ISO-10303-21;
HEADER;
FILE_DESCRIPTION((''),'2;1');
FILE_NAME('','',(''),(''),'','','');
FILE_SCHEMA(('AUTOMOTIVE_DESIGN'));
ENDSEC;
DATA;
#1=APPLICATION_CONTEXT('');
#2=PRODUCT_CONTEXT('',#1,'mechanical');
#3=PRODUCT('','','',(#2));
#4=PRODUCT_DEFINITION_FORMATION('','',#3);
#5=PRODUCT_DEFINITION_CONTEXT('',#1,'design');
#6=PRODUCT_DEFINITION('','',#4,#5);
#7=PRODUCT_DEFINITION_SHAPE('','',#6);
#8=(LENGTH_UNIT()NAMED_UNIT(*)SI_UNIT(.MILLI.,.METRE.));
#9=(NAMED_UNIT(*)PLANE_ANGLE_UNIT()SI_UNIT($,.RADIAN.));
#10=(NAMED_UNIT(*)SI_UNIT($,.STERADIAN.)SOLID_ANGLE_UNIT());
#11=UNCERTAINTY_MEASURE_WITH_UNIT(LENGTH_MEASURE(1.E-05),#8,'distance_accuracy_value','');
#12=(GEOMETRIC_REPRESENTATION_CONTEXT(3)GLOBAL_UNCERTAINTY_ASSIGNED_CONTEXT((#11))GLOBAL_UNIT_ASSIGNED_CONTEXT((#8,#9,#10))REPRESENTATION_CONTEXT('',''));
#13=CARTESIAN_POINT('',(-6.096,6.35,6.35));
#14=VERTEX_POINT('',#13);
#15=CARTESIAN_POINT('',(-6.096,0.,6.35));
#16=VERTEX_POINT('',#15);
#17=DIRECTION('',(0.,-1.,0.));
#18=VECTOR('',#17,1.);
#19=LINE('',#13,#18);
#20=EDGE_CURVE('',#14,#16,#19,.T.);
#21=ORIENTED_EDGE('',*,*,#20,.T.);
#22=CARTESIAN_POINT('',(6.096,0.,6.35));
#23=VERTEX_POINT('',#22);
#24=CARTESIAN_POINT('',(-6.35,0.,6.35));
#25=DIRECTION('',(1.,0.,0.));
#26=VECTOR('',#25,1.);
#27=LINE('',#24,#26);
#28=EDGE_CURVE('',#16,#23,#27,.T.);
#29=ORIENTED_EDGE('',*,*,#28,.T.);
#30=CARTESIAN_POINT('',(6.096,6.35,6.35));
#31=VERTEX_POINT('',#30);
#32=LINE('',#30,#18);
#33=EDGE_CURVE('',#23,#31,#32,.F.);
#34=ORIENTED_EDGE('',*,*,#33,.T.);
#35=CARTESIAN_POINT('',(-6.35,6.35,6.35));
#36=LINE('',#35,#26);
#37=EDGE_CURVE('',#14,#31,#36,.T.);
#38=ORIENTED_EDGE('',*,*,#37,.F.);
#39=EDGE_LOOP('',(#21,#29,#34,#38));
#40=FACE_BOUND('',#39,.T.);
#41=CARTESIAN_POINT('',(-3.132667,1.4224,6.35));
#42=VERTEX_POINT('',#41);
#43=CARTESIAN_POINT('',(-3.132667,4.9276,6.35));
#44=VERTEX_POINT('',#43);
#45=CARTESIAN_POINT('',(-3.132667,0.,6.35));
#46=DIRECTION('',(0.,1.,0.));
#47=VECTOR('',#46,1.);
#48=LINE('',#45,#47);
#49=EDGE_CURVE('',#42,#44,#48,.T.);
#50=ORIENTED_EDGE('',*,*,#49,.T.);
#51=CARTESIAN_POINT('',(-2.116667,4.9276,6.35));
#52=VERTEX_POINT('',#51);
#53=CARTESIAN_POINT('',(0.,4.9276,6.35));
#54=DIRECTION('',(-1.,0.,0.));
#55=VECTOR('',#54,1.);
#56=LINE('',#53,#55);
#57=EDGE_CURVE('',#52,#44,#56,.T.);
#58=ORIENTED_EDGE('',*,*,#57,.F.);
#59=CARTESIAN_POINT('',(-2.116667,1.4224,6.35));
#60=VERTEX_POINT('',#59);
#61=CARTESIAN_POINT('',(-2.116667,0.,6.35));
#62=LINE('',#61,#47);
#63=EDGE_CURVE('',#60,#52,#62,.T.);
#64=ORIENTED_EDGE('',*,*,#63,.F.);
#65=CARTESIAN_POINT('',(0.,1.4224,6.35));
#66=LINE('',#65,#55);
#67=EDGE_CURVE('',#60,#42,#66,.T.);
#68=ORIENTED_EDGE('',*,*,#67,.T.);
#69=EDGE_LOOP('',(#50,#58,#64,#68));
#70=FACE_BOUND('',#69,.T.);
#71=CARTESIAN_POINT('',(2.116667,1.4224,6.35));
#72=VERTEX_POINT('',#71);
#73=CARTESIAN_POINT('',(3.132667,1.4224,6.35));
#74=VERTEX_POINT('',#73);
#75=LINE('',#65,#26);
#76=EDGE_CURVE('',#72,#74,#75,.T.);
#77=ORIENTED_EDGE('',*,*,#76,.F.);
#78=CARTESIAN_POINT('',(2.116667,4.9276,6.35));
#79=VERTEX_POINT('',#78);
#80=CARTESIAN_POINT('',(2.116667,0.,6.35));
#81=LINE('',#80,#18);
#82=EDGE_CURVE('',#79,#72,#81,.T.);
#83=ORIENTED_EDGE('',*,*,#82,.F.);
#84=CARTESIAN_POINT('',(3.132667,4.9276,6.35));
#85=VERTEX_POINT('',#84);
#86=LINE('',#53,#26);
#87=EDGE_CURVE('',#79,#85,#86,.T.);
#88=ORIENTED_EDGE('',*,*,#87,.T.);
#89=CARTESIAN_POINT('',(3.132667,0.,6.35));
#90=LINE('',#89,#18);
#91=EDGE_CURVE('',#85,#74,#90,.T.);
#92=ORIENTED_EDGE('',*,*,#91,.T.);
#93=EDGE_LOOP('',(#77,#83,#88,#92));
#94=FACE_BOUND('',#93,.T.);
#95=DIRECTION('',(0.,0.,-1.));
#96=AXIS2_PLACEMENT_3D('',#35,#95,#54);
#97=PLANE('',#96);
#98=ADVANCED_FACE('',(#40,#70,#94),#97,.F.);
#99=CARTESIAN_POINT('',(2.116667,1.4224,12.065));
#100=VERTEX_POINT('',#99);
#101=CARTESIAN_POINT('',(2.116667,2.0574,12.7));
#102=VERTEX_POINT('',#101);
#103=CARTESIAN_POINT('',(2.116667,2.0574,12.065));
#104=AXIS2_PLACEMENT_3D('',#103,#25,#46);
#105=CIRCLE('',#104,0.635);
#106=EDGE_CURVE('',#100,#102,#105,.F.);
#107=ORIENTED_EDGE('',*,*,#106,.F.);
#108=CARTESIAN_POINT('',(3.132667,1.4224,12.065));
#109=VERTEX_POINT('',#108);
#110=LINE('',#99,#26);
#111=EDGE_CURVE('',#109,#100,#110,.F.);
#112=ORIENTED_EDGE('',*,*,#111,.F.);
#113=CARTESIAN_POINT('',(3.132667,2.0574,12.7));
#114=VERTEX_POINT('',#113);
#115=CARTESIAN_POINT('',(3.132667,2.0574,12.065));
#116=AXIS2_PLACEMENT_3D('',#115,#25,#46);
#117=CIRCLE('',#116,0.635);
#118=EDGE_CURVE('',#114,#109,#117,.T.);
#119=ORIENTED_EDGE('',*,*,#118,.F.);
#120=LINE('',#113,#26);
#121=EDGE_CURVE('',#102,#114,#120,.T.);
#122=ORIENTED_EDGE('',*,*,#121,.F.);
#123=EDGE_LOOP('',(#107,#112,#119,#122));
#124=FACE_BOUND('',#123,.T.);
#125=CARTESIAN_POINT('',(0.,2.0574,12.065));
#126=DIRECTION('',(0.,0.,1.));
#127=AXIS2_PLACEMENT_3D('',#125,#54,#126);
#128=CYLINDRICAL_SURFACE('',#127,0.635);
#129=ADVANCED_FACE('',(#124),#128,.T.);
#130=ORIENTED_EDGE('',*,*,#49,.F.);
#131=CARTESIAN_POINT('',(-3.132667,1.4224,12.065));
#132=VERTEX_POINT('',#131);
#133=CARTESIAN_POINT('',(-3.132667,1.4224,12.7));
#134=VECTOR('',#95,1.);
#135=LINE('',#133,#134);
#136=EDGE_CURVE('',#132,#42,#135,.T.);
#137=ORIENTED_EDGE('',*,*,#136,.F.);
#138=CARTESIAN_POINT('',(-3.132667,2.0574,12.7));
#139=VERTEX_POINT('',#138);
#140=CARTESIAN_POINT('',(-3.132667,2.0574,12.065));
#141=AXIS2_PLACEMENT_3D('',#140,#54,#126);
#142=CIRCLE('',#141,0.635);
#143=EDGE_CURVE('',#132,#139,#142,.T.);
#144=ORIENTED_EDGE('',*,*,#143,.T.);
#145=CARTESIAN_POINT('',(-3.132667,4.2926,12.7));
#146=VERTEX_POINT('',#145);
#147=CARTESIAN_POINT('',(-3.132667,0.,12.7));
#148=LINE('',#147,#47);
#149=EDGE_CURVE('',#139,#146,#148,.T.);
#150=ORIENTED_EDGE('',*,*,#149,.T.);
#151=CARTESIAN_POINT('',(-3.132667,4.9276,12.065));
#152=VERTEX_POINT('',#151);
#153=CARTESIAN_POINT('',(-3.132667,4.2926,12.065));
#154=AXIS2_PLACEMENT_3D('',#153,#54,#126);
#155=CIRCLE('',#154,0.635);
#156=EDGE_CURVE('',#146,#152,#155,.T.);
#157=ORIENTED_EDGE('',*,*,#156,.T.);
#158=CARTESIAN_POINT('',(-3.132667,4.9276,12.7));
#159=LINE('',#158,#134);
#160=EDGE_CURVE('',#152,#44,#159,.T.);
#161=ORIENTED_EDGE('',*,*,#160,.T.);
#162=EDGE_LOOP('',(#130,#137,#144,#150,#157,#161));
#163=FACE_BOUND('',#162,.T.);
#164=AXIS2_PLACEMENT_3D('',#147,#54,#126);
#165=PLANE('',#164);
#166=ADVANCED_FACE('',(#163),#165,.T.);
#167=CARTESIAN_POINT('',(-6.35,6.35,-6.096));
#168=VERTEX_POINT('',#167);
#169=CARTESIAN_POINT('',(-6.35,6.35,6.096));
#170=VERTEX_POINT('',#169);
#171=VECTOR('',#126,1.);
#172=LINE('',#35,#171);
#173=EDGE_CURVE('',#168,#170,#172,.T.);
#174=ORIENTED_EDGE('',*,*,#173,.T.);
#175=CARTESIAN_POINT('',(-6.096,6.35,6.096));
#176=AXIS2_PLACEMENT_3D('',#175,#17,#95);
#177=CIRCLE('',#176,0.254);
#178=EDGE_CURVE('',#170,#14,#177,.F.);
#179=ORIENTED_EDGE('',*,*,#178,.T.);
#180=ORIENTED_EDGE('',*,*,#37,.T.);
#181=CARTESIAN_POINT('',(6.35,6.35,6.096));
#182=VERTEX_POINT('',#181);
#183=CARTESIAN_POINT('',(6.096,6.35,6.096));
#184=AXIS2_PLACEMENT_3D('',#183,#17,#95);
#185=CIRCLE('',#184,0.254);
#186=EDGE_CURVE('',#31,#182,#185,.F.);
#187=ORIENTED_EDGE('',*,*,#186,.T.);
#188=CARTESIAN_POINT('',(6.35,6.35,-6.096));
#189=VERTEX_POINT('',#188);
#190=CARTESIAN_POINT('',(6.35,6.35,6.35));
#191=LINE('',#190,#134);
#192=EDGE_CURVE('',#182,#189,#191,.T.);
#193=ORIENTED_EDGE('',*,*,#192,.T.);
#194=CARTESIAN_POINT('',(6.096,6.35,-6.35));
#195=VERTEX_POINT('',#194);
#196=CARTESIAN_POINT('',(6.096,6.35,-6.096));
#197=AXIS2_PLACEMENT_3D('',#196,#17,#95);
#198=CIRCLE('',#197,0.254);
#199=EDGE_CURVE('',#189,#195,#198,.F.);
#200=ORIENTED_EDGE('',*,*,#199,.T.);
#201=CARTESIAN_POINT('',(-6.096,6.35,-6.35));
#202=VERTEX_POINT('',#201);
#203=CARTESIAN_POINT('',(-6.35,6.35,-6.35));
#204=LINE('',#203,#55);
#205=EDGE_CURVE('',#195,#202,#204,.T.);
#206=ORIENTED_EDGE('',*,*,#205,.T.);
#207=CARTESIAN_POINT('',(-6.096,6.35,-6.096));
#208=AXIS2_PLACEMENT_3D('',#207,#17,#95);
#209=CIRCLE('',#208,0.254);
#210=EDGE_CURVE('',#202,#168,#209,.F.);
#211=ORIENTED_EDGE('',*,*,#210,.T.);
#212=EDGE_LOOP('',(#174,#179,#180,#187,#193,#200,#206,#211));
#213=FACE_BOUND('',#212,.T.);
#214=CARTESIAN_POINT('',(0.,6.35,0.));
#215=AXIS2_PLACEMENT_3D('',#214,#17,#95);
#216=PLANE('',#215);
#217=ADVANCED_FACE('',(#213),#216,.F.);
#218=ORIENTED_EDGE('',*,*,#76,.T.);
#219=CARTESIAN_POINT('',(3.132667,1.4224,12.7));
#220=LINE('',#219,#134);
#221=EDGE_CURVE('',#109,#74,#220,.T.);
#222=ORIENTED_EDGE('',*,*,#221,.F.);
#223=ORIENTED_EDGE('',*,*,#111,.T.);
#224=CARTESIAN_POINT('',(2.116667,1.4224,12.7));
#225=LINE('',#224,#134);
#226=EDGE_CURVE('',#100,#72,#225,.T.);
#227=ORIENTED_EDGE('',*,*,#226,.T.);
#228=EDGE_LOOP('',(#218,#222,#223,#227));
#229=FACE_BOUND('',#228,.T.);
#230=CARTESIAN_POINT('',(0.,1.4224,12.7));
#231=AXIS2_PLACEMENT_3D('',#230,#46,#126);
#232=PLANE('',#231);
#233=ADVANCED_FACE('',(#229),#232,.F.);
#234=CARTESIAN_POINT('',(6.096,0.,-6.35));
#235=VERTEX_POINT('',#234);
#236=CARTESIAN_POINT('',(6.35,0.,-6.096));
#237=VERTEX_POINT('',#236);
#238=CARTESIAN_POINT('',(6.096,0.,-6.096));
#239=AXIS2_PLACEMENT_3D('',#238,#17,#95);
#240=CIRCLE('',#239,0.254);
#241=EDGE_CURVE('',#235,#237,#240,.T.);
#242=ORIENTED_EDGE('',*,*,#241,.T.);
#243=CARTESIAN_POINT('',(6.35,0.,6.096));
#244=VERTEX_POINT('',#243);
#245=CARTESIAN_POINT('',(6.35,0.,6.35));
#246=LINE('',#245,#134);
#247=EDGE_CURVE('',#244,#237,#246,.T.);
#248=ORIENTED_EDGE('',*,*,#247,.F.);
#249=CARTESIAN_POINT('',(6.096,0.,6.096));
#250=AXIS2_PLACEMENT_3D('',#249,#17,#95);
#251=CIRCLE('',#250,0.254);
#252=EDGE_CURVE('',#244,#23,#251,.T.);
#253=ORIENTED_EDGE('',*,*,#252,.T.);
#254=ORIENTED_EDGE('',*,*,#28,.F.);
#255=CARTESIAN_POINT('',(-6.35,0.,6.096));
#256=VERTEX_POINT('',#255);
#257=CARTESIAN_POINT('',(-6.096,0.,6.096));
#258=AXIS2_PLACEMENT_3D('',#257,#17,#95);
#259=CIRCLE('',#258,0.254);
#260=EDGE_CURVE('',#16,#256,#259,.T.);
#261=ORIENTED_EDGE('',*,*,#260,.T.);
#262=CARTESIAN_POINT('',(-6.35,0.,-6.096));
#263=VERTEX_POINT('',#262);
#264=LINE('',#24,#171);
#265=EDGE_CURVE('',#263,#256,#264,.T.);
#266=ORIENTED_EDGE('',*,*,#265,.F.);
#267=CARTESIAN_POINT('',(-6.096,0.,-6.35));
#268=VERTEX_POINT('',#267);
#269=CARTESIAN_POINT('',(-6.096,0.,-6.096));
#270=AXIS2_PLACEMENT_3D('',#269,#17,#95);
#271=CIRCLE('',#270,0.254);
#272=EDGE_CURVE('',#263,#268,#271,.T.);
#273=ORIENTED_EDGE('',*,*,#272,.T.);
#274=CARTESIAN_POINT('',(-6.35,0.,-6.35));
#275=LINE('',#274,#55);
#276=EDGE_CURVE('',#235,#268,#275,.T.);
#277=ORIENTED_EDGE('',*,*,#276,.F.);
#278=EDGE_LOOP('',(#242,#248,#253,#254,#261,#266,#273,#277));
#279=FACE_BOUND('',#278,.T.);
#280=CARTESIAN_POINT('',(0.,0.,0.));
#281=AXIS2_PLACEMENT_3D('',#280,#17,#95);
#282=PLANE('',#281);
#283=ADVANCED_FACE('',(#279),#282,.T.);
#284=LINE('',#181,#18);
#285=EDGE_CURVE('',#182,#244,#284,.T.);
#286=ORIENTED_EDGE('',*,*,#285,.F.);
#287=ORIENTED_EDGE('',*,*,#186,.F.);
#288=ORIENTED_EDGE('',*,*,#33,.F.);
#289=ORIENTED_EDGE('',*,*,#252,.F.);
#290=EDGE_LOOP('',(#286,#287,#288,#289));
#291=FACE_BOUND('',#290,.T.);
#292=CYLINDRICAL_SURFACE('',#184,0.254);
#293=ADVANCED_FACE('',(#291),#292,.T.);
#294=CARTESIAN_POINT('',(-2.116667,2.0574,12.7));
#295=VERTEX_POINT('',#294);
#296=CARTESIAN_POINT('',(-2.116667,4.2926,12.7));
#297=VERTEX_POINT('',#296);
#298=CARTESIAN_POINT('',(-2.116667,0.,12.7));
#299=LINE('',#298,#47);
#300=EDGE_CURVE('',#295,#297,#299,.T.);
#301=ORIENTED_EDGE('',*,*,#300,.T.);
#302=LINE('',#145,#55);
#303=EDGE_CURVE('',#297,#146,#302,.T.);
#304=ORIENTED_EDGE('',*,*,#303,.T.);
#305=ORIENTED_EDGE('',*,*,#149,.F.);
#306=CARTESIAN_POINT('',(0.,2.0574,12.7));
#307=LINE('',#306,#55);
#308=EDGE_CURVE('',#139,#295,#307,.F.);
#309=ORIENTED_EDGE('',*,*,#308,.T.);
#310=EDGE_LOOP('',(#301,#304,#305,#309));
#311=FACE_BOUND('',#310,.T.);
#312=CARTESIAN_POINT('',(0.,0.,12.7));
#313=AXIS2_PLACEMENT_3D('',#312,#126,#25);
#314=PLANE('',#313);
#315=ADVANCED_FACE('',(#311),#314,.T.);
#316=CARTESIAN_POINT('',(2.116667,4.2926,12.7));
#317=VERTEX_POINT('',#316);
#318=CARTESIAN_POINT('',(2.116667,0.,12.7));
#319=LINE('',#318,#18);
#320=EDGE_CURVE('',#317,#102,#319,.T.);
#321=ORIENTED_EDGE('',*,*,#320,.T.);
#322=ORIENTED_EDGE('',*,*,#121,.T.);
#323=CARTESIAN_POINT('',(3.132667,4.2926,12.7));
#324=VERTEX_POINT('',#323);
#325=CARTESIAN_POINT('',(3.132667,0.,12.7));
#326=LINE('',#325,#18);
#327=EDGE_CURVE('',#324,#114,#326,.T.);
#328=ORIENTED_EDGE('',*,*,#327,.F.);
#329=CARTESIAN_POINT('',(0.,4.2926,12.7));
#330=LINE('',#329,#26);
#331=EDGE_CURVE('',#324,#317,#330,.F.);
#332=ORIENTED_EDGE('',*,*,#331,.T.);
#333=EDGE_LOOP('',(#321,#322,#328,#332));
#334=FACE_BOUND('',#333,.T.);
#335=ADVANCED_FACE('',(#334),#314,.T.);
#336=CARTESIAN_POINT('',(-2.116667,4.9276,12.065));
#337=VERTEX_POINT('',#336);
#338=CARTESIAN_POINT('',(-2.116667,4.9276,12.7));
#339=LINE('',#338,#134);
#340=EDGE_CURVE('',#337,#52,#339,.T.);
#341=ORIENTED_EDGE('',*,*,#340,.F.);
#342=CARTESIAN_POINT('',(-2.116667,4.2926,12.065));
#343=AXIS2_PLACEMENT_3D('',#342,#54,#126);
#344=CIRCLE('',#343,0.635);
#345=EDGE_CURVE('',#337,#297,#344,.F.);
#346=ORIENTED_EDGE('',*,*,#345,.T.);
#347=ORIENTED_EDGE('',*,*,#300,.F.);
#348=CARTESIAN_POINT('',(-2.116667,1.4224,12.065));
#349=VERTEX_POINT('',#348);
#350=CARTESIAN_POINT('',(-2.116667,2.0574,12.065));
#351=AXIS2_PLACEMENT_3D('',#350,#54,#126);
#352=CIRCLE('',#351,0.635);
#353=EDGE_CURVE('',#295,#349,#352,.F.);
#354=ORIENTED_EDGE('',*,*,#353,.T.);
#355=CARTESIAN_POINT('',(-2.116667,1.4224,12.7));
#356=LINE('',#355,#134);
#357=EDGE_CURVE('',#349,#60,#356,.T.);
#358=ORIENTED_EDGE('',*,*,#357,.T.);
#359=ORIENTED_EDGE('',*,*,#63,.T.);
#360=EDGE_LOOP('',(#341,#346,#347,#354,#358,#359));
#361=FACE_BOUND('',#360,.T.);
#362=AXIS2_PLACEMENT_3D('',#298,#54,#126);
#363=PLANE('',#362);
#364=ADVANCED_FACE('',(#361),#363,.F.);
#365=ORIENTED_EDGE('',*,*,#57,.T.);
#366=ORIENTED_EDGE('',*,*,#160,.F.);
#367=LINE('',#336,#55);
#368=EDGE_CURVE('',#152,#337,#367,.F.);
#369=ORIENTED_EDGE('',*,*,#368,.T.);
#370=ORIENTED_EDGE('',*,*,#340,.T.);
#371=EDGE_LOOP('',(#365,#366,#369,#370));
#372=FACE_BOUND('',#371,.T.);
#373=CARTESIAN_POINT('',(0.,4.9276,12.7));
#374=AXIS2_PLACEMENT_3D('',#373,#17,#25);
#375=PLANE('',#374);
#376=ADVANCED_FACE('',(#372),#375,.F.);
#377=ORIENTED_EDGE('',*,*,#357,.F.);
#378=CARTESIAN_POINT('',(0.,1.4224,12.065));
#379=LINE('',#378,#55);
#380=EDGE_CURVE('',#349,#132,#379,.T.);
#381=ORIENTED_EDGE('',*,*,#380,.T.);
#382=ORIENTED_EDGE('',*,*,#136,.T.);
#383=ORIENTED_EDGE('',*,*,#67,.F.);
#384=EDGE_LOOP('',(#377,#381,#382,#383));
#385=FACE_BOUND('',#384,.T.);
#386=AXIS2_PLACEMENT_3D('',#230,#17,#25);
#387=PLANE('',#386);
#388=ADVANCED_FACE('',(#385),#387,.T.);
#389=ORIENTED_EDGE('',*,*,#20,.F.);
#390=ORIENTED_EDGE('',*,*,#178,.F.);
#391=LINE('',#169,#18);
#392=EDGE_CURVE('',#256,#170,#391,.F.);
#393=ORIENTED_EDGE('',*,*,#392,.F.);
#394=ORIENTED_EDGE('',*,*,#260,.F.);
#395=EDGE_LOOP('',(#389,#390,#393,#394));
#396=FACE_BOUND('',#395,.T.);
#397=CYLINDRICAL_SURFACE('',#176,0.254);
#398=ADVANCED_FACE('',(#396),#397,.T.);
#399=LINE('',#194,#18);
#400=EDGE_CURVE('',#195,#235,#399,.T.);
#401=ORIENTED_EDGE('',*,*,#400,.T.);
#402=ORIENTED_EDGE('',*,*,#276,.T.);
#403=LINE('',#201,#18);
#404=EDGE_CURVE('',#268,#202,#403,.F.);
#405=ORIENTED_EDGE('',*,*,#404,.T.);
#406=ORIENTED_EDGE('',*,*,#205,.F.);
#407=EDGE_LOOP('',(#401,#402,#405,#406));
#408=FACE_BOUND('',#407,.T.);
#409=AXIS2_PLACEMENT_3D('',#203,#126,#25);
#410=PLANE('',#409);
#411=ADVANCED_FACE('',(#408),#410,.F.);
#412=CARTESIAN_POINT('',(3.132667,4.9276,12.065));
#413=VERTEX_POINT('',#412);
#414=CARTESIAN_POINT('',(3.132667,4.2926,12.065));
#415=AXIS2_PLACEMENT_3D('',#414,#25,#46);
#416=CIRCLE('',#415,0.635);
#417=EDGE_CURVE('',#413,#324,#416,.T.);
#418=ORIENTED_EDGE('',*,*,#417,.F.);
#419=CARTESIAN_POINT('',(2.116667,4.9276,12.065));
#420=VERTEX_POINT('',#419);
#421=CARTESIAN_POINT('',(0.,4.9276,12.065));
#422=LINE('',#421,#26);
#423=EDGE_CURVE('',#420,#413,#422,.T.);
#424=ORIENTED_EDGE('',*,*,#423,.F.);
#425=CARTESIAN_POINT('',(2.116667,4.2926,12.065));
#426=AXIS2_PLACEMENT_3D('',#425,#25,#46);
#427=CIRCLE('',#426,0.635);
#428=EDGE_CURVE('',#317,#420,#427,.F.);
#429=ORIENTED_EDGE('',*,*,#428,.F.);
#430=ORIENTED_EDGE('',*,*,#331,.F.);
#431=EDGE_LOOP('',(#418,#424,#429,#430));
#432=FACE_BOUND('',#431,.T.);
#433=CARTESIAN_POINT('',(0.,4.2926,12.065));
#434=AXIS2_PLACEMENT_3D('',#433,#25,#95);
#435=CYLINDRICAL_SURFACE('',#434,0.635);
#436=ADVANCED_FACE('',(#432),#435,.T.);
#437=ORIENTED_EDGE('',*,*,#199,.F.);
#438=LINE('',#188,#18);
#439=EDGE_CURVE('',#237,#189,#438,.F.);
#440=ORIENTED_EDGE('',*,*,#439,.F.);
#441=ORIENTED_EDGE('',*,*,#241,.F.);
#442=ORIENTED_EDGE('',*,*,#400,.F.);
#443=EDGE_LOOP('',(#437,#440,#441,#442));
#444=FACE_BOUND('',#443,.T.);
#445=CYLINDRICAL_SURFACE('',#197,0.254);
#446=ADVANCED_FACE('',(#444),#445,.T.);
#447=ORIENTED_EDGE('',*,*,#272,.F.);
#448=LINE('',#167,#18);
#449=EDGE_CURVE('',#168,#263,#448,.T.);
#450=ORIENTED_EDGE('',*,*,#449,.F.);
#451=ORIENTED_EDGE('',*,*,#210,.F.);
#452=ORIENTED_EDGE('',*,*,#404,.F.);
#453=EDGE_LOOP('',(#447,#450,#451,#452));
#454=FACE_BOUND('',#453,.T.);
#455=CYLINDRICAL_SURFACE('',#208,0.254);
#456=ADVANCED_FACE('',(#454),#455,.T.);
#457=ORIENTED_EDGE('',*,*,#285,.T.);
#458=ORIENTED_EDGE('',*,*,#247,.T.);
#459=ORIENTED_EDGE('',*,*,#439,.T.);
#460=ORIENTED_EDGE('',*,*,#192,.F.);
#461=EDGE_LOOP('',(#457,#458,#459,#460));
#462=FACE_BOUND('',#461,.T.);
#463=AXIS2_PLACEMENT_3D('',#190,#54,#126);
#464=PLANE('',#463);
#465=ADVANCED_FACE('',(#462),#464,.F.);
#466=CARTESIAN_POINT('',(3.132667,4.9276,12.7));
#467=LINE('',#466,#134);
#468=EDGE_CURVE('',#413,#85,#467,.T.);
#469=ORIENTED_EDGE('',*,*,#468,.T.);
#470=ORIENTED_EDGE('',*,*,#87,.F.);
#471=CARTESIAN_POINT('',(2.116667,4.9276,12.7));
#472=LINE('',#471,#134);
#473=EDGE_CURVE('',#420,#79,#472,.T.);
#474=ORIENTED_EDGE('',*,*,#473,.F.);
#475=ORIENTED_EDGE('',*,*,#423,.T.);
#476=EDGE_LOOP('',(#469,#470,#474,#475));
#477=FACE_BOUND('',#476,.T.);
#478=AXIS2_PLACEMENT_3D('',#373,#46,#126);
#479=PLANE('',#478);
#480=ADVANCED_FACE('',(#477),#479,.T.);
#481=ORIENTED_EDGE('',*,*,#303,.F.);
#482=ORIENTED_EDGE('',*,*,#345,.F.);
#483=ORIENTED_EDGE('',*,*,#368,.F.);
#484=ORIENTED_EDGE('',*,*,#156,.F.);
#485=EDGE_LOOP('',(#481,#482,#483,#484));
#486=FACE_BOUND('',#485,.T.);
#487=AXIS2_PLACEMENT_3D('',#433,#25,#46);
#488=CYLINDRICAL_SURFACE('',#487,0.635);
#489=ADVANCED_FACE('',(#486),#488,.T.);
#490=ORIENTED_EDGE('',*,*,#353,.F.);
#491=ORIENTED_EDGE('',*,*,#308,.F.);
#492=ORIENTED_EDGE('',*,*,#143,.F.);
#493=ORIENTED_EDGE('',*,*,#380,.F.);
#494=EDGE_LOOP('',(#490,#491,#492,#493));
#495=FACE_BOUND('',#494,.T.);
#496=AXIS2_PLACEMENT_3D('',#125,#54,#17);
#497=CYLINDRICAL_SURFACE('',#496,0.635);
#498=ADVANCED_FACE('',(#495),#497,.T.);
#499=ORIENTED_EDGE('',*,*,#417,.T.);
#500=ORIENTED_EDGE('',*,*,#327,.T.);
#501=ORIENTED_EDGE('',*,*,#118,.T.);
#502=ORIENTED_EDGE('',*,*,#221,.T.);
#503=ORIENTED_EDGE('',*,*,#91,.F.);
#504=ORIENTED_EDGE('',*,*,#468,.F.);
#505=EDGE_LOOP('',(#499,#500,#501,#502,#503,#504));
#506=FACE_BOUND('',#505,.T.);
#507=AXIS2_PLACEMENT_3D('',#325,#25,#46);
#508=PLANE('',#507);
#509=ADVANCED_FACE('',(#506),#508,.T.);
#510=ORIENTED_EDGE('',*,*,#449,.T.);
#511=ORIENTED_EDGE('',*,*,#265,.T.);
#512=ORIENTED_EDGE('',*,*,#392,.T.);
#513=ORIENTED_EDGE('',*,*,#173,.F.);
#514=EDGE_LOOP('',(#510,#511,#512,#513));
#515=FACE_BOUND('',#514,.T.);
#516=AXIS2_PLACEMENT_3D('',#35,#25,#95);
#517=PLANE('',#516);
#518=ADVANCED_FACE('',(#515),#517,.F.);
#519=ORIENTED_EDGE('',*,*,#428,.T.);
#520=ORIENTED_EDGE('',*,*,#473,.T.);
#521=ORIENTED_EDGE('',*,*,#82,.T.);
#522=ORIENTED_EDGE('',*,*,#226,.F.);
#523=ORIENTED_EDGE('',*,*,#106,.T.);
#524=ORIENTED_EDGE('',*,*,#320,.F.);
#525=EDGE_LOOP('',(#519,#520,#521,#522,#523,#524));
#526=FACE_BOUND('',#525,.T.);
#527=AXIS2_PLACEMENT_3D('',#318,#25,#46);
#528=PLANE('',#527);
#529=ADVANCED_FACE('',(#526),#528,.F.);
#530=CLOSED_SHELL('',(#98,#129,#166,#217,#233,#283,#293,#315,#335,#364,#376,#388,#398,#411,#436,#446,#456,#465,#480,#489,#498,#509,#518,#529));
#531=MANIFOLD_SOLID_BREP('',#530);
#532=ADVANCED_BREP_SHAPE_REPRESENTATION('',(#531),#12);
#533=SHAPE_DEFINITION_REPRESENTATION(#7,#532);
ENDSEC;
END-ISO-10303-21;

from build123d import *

# Parameters (mm, degrees)
SKETCH1_W           = 12.7
SKETCH1_H           = 12.7
BOSS_EXTRUDE1_DEPTH = 6.35
SKETCH2_W           = 1.016
SKETCH2_H           = 3.5052
BOSS_EXTRUDE2_DEPTH = 6.35
FILLET1_R           = 0.635
FILLET2_R           = 0.254


with BuildPart() as part:
    # Sketch1 → Boss-Extrude1 (new body)
    with BuildSketch(Plane(origin=(0, 0, 0), x_dir=(1, 0, 0), z_dir=(0, 1, 0))):
        Rectangle(SKETCH1_W, SKETCH1_H)
    extrude(amount=BOSS_EXTRUDE1_DEPTH)

    # Sketch2 → Boss-Extrude2 (add)
    with BuildSketch(Plane.XY.offset(6.35)):
        with Locations((-2.624666667, 3.175)):
            Rectangle(SKETCH2_W, SKETCH2_H)
        with Locations((2.624666667, 3.175)):
            Rectangle(SKETCH2_W, SKETCH2_H)
    extrude(amount=BOSS_EXTRUDE2_DEPTH)

    # Fillet1
    fillet1_edges = [part.edges().sort_by_distance(p)[0] for p in [
        (-2.624666667, 1.4224, 12.7),
        (-2.624666667, 4.9276, 12.7),
        (2.624666667, 4.9276, 12.7),
        (2.624666667, 1.4224, 12.7),
    ]]
    fillet(fillet1_edges, radius=FILLET1_R)

    # Fillet2
    fillet2_edges = [part.edges().sort_by_distance(p)[0] for p in [
        (6.35, 3.175, 6.35),
        (-6.35, 3.175, 6.35),
        (-6.35, 3.175, -6.35),
        (6.35, 3.175, -6.35),
    ]]
    fillet(fillet2_edges, radius=FILLET2_R)


solid = part.part
